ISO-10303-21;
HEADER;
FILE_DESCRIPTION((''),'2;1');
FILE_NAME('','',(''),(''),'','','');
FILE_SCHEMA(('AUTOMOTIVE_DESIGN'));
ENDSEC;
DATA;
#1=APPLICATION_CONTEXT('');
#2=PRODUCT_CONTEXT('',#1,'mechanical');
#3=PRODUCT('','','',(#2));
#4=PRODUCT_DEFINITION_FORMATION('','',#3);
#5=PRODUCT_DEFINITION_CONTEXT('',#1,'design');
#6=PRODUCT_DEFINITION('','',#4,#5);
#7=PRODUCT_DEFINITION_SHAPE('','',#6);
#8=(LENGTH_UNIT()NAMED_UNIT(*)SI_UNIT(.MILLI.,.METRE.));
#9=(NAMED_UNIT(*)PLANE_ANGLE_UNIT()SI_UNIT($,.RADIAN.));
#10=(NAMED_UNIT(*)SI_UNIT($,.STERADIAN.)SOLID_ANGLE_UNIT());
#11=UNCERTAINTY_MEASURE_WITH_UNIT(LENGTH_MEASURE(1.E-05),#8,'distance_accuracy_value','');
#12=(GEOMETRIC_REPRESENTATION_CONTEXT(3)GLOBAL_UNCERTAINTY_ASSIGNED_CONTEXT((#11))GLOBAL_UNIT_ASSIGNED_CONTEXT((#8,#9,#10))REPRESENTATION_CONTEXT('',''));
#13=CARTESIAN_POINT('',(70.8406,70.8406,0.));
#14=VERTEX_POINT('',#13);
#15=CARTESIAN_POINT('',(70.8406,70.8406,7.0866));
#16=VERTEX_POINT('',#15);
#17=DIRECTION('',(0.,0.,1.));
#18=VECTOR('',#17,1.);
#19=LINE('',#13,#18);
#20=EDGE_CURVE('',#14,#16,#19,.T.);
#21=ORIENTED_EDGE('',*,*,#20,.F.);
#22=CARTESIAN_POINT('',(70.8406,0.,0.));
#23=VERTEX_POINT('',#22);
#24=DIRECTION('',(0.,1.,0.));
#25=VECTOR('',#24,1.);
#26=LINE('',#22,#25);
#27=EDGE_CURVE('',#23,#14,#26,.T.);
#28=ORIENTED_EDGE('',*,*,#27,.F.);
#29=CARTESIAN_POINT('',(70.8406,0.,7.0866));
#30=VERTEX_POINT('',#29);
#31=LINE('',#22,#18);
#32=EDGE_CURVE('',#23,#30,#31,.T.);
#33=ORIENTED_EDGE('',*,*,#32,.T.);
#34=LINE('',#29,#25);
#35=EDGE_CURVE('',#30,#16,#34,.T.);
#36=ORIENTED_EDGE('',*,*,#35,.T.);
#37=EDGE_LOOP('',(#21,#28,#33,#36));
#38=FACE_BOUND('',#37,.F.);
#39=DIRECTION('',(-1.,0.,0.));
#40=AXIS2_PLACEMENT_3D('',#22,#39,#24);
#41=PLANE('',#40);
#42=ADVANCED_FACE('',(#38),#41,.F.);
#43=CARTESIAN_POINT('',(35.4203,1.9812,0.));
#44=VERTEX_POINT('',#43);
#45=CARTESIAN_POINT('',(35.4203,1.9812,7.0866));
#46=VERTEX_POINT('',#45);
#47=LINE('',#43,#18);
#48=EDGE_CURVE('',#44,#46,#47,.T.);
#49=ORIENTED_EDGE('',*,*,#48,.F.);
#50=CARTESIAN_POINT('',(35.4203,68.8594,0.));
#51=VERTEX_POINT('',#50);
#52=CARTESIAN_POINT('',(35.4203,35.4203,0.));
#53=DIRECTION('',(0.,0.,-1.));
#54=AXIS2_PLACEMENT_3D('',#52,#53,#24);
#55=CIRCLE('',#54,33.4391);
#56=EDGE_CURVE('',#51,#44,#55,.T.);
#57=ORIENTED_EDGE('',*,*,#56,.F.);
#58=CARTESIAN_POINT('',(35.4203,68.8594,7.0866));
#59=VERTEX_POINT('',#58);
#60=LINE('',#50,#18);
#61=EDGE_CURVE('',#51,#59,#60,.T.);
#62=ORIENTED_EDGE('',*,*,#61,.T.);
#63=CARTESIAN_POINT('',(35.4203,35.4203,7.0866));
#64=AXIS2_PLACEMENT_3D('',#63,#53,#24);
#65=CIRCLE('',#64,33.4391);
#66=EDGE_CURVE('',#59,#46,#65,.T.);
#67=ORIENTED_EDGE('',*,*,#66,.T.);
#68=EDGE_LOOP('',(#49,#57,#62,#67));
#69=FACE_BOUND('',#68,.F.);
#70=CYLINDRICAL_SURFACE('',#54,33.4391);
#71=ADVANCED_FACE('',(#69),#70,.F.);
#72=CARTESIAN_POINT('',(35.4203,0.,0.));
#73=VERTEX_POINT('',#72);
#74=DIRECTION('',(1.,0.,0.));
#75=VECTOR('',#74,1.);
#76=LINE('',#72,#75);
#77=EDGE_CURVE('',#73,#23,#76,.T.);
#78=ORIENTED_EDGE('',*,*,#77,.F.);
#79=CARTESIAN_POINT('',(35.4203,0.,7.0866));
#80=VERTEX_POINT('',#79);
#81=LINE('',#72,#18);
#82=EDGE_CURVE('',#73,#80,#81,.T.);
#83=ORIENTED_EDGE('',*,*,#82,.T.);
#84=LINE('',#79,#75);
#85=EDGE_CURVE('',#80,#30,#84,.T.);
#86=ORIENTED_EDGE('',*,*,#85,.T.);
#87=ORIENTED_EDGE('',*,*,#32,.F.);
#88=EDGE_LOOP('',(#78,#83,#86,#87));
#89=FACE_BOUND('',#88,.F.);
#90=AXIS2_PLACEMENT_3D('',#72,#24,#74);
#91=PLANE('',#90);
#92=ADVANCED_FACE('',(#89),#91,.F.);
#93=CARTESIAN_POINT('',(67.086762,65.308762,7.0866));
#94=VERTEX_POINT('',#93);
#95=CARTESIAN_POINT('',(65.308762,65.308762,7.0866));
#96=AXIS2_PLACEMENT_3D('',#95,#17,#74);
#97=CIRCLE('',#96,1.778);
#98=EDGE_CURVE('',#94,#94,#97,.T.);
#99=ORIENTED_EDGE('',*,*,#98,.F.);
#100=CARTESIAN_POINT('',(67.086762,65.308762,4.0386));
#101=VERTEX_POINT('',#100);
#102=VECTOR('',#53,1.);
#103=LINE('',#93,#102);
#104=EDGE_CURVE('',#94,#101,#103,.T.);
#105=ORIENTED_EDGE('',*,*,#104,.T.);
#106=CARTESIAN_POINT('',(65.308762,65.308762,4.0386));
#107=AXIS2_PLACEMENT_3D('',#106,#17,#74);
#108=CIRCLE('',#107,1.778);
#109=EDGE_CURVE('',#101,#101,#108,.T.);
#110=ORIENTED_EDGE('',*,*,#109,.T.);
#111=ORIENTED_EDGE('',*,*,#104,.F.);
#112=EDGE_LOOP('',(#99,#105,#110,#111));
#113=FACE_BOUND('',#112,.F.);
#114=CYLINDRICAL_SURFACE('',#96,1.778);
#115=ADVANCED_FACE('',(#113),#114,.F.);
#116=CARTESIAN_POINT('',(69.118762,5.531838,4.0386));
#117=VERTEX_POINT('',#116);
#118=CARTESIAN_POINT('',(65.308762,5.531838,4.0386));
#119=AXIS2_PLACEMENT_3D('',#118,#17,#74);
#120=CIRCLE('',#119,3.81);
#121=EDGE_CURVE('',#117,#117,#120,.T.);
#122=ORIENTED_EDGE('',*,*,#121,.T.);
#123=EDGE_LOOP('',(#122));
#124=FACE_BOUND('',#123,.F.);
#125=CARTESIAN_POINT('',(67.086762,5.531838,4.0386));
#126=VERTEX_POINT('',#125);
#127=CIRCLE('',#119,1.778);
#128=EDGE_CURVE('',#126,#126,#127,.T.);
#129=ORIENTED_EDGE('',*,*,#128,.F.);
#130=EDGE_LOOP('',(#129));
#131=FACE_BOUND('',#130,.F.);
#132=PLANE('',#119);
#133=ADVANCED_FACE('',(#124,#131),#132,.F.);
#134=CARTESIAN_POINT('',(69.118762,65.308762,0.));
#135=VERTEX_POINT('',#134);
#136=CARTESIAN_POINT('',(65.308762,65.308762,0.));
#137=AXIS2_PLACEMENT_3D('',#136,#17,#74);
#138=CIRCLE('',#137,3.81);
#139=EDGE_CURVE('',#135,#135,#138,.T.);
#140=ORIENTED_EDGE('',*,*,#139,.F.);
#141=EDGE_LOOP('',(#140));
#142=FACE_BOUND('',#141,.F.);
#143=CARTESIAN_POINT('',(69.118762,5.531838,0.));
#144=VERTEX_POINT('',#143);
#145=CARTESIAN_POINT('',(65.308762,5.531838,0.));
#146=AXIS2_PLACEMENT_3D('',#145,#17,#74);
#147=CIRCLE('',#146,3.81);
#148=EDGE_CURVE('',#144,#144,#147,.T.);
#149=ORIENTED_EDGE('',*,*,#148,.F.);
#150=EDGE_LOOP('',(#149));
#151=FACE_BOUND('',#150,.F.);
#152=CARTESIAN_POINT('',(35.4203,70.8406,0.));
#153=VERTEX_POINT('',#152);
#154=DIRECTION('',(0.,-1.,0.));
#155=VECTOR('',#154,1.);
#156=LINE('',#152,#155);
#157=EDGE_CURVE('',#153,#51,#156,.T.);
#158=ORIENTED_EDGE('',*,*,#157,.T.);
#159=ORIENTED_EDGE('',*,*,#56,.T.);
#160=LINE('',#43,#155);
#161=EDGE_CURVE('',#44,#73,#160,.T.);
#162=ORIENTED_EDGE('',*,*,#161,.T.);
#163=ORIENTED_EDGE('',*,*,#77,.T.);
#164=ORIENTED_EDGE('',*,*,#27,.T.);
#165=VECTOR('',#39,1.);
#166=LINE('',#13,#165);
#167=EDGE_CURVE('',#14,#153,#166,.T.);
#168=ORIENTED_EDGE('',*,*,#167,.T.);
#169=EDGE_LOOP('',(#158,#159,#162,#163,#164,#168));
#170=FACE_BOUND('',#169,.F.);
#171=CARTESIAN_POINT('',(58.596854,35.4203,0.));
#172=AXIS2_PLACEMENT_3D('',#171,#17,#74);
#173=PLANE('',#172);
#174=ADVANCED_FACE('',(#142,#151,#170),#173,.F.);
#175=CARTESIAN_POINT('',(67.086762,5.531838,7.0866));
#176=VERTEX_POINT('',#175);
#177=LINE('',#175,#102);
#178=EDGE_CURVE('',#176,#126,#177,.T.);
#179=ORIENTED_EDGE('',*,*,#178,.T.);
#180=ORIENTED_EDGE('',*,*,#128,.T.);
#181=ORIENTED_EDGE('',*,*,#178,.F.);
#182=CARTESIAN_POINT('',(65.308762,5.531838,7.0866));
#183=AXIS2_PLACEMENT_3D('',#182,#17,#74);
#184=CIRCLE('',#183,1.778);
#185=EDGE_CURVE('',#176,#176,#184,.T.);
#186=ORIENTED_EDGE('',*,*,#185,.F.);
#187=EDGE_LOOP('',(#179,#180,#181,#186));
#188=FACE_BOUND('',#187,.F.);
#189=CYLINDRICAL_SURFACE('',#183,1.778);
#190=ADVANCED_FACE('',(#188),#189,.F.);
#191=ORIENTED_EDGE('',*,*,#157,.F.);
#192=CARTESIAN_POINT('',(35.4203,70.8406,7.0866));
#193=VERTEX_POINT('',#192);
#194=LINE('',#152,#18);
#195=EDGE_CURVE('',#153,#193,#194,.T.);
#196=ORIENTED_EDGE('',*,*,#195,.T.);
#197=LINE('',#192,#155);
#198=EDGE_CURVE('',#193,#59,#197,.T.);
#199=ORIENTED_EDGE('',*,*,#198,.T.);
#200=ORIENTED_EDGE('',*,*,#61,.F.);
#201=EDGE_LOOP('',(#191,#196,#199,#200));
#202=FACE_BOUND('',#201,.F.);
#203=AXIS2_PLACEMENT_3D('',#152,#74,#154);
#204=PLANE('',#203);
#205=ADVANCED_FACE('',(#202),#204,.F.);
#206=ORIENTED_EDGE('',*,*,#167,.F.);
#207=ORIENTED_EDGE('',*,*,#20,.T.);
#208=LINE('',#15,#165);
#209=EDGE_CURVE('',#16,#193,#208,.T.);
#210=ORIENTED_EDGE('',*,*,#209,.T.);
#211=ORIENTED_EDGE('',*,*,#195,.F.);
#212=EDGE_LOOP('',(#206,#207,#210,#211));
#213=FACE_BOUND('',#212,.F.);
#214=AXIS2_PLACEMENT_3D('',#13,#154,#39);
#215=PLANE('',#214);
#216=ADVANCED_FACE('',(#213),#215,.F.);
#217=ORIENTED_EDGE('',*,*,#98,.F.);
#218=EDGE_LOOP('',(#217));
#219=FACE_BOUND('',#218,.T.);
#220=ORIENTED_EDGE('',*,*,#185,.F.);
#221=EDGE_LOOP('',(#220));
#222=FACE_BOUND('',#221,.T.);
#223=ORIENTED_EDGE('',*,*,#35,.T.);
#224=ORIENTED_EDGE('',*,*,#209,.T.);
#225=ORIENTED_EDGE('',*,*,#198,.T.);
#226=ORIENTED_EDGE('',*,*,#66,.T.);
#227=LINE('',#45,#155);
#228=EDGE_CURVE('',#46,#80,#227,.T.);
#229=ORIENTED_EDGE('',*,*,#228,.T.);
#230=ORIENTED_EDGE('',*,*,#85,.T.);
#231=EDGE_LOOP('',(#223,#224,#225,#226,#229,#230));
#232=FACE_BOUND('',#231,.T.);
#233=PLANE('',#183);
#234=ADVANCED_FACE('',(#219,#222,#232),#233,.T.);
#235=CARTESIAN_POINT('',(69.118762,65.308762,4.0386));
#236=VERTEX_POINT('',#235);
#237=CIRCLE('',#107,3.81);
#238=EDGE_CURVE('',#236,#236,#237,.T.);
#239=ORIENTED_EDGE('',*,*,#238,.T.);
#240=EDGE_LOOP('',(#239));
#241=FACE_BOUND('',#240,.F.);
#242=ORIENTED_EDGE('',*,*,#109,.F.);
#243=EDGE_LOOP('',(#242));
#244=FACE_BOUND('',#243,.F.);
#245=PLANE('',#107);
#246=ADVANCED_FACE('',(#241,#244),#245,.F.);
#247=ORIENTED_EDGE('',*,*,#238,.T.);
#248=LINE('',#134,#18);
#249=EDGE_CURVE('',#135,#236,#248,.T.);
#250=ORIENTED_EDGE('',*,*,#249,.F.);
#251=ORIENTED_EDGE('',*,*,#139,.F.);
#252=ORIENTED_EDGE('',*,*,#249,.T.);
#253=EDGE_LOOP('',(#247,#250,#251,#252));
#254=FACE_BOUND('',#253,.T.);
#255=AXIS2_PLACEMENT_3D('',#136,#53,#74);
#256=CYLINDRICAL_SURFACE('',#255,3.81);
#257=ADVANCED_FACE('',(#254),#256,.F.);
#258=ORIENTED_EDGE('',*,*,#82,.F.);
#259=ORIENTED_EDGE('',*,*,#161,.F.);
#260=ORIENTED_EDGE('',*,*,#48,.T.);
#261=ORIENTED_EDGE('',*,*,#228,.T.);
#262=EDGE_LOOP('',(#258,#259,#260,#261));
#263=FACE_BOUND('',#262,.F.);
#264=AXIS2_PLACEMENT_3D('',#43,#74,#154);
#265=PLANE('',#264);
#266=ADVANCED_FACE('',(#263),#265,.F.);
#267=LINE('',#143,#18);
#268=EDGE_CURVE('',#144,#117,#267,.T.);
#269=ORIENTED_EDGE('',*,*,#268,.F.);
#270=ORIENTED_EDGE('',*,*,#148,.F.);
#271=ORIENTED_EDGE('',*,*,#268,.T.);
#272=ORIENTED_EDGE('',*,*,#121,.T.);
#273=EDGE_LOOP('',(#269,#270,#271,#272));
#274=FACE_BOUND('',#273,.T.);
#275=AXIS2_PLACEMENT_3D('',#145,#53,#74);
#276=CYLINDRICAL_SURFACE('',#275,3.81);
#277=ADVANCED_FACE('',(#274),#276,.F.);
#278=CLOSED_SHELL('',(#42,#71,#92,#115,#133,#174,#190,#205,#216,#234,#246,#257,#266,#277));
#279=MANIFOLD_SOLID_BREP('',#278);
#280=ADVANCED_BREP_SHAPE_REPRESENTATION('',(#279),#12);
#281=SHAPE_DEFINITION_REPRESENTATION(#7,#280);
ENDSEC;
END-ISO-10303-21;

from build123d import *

# Parameters (mm, degrees)
F0_R     = 3.81
F1_DEPTH = 7.0866
F2_R     = 1.778
F2_R_2   = 3.81
F3_DEPTH = 3.048
F4_DEPTH = 25.4


with BuildPart() as f1:
    # F0 (on Top) → F1 (new body)
    with BuildSketch(Plane.XY):
        with BuildLine():
            Line((35.4203, 1.9812), (35.4203, 0))
            Line((35.4203, 0), (70.8406, 0))
            Line((70.8406, 0), (70.8406, 70.8406))
            Line((70.8406, 70.8406), (35.4203, 70.8406))
            Line((35.4203, 70.8406), (35.4203, 68.8594))
            ThreePointArc((35.4203, 68.8594), (68.8594, 35.4203), (35.4203, 1.9812))
        make_face()
        with Locations((65.308762, 5.531838)):
            Circle(F0_R, mode=Mode.SUBTRACT)
        with Locations((65.308762, 65.308762)):
            Circle(F0_R, mode=Mode.SUBTRACT)
    extrude(amount=F1_DEPTH)

    # F2 (on face) → F3 (join)
    with BuildSketch(Plane.XY.offset(7.0866)):
        with Locations((65.308762, 5.531838)):
            Circle(F2_R)
        with Locations((65.308762, 65.308762)):
            Circle(F2_R)
        with Locations((65.308762, 65.308762)):
            Circle(F2_R_2)
        with Locations((65.308762, 65.308762)):
            Circle(F2_R, mode=Mode.SUBTRACT)
        with Locations((65.308762, 5.531838)):
            Circle(F2_R_2)
        with Locations((65.308762, 5.531838)):
            Circle(F2_R, mode=Mode.SUBTRACT)
    extrude(amount=-F3_DEPTH)

    # F2 (on face) → F4 (cut)
    with BuildSketch(Plane.XY.offset(7.0866)):
        with Locations((65.308762, 5.531838)):
            Circle(F2_R)
        with Locations((65.308762, 65.308762)):
            Circle(F2_R)
    extrude(amount=-F4_DEPTH, mode=Mode.SUBTRACT)


solid = f1.part
